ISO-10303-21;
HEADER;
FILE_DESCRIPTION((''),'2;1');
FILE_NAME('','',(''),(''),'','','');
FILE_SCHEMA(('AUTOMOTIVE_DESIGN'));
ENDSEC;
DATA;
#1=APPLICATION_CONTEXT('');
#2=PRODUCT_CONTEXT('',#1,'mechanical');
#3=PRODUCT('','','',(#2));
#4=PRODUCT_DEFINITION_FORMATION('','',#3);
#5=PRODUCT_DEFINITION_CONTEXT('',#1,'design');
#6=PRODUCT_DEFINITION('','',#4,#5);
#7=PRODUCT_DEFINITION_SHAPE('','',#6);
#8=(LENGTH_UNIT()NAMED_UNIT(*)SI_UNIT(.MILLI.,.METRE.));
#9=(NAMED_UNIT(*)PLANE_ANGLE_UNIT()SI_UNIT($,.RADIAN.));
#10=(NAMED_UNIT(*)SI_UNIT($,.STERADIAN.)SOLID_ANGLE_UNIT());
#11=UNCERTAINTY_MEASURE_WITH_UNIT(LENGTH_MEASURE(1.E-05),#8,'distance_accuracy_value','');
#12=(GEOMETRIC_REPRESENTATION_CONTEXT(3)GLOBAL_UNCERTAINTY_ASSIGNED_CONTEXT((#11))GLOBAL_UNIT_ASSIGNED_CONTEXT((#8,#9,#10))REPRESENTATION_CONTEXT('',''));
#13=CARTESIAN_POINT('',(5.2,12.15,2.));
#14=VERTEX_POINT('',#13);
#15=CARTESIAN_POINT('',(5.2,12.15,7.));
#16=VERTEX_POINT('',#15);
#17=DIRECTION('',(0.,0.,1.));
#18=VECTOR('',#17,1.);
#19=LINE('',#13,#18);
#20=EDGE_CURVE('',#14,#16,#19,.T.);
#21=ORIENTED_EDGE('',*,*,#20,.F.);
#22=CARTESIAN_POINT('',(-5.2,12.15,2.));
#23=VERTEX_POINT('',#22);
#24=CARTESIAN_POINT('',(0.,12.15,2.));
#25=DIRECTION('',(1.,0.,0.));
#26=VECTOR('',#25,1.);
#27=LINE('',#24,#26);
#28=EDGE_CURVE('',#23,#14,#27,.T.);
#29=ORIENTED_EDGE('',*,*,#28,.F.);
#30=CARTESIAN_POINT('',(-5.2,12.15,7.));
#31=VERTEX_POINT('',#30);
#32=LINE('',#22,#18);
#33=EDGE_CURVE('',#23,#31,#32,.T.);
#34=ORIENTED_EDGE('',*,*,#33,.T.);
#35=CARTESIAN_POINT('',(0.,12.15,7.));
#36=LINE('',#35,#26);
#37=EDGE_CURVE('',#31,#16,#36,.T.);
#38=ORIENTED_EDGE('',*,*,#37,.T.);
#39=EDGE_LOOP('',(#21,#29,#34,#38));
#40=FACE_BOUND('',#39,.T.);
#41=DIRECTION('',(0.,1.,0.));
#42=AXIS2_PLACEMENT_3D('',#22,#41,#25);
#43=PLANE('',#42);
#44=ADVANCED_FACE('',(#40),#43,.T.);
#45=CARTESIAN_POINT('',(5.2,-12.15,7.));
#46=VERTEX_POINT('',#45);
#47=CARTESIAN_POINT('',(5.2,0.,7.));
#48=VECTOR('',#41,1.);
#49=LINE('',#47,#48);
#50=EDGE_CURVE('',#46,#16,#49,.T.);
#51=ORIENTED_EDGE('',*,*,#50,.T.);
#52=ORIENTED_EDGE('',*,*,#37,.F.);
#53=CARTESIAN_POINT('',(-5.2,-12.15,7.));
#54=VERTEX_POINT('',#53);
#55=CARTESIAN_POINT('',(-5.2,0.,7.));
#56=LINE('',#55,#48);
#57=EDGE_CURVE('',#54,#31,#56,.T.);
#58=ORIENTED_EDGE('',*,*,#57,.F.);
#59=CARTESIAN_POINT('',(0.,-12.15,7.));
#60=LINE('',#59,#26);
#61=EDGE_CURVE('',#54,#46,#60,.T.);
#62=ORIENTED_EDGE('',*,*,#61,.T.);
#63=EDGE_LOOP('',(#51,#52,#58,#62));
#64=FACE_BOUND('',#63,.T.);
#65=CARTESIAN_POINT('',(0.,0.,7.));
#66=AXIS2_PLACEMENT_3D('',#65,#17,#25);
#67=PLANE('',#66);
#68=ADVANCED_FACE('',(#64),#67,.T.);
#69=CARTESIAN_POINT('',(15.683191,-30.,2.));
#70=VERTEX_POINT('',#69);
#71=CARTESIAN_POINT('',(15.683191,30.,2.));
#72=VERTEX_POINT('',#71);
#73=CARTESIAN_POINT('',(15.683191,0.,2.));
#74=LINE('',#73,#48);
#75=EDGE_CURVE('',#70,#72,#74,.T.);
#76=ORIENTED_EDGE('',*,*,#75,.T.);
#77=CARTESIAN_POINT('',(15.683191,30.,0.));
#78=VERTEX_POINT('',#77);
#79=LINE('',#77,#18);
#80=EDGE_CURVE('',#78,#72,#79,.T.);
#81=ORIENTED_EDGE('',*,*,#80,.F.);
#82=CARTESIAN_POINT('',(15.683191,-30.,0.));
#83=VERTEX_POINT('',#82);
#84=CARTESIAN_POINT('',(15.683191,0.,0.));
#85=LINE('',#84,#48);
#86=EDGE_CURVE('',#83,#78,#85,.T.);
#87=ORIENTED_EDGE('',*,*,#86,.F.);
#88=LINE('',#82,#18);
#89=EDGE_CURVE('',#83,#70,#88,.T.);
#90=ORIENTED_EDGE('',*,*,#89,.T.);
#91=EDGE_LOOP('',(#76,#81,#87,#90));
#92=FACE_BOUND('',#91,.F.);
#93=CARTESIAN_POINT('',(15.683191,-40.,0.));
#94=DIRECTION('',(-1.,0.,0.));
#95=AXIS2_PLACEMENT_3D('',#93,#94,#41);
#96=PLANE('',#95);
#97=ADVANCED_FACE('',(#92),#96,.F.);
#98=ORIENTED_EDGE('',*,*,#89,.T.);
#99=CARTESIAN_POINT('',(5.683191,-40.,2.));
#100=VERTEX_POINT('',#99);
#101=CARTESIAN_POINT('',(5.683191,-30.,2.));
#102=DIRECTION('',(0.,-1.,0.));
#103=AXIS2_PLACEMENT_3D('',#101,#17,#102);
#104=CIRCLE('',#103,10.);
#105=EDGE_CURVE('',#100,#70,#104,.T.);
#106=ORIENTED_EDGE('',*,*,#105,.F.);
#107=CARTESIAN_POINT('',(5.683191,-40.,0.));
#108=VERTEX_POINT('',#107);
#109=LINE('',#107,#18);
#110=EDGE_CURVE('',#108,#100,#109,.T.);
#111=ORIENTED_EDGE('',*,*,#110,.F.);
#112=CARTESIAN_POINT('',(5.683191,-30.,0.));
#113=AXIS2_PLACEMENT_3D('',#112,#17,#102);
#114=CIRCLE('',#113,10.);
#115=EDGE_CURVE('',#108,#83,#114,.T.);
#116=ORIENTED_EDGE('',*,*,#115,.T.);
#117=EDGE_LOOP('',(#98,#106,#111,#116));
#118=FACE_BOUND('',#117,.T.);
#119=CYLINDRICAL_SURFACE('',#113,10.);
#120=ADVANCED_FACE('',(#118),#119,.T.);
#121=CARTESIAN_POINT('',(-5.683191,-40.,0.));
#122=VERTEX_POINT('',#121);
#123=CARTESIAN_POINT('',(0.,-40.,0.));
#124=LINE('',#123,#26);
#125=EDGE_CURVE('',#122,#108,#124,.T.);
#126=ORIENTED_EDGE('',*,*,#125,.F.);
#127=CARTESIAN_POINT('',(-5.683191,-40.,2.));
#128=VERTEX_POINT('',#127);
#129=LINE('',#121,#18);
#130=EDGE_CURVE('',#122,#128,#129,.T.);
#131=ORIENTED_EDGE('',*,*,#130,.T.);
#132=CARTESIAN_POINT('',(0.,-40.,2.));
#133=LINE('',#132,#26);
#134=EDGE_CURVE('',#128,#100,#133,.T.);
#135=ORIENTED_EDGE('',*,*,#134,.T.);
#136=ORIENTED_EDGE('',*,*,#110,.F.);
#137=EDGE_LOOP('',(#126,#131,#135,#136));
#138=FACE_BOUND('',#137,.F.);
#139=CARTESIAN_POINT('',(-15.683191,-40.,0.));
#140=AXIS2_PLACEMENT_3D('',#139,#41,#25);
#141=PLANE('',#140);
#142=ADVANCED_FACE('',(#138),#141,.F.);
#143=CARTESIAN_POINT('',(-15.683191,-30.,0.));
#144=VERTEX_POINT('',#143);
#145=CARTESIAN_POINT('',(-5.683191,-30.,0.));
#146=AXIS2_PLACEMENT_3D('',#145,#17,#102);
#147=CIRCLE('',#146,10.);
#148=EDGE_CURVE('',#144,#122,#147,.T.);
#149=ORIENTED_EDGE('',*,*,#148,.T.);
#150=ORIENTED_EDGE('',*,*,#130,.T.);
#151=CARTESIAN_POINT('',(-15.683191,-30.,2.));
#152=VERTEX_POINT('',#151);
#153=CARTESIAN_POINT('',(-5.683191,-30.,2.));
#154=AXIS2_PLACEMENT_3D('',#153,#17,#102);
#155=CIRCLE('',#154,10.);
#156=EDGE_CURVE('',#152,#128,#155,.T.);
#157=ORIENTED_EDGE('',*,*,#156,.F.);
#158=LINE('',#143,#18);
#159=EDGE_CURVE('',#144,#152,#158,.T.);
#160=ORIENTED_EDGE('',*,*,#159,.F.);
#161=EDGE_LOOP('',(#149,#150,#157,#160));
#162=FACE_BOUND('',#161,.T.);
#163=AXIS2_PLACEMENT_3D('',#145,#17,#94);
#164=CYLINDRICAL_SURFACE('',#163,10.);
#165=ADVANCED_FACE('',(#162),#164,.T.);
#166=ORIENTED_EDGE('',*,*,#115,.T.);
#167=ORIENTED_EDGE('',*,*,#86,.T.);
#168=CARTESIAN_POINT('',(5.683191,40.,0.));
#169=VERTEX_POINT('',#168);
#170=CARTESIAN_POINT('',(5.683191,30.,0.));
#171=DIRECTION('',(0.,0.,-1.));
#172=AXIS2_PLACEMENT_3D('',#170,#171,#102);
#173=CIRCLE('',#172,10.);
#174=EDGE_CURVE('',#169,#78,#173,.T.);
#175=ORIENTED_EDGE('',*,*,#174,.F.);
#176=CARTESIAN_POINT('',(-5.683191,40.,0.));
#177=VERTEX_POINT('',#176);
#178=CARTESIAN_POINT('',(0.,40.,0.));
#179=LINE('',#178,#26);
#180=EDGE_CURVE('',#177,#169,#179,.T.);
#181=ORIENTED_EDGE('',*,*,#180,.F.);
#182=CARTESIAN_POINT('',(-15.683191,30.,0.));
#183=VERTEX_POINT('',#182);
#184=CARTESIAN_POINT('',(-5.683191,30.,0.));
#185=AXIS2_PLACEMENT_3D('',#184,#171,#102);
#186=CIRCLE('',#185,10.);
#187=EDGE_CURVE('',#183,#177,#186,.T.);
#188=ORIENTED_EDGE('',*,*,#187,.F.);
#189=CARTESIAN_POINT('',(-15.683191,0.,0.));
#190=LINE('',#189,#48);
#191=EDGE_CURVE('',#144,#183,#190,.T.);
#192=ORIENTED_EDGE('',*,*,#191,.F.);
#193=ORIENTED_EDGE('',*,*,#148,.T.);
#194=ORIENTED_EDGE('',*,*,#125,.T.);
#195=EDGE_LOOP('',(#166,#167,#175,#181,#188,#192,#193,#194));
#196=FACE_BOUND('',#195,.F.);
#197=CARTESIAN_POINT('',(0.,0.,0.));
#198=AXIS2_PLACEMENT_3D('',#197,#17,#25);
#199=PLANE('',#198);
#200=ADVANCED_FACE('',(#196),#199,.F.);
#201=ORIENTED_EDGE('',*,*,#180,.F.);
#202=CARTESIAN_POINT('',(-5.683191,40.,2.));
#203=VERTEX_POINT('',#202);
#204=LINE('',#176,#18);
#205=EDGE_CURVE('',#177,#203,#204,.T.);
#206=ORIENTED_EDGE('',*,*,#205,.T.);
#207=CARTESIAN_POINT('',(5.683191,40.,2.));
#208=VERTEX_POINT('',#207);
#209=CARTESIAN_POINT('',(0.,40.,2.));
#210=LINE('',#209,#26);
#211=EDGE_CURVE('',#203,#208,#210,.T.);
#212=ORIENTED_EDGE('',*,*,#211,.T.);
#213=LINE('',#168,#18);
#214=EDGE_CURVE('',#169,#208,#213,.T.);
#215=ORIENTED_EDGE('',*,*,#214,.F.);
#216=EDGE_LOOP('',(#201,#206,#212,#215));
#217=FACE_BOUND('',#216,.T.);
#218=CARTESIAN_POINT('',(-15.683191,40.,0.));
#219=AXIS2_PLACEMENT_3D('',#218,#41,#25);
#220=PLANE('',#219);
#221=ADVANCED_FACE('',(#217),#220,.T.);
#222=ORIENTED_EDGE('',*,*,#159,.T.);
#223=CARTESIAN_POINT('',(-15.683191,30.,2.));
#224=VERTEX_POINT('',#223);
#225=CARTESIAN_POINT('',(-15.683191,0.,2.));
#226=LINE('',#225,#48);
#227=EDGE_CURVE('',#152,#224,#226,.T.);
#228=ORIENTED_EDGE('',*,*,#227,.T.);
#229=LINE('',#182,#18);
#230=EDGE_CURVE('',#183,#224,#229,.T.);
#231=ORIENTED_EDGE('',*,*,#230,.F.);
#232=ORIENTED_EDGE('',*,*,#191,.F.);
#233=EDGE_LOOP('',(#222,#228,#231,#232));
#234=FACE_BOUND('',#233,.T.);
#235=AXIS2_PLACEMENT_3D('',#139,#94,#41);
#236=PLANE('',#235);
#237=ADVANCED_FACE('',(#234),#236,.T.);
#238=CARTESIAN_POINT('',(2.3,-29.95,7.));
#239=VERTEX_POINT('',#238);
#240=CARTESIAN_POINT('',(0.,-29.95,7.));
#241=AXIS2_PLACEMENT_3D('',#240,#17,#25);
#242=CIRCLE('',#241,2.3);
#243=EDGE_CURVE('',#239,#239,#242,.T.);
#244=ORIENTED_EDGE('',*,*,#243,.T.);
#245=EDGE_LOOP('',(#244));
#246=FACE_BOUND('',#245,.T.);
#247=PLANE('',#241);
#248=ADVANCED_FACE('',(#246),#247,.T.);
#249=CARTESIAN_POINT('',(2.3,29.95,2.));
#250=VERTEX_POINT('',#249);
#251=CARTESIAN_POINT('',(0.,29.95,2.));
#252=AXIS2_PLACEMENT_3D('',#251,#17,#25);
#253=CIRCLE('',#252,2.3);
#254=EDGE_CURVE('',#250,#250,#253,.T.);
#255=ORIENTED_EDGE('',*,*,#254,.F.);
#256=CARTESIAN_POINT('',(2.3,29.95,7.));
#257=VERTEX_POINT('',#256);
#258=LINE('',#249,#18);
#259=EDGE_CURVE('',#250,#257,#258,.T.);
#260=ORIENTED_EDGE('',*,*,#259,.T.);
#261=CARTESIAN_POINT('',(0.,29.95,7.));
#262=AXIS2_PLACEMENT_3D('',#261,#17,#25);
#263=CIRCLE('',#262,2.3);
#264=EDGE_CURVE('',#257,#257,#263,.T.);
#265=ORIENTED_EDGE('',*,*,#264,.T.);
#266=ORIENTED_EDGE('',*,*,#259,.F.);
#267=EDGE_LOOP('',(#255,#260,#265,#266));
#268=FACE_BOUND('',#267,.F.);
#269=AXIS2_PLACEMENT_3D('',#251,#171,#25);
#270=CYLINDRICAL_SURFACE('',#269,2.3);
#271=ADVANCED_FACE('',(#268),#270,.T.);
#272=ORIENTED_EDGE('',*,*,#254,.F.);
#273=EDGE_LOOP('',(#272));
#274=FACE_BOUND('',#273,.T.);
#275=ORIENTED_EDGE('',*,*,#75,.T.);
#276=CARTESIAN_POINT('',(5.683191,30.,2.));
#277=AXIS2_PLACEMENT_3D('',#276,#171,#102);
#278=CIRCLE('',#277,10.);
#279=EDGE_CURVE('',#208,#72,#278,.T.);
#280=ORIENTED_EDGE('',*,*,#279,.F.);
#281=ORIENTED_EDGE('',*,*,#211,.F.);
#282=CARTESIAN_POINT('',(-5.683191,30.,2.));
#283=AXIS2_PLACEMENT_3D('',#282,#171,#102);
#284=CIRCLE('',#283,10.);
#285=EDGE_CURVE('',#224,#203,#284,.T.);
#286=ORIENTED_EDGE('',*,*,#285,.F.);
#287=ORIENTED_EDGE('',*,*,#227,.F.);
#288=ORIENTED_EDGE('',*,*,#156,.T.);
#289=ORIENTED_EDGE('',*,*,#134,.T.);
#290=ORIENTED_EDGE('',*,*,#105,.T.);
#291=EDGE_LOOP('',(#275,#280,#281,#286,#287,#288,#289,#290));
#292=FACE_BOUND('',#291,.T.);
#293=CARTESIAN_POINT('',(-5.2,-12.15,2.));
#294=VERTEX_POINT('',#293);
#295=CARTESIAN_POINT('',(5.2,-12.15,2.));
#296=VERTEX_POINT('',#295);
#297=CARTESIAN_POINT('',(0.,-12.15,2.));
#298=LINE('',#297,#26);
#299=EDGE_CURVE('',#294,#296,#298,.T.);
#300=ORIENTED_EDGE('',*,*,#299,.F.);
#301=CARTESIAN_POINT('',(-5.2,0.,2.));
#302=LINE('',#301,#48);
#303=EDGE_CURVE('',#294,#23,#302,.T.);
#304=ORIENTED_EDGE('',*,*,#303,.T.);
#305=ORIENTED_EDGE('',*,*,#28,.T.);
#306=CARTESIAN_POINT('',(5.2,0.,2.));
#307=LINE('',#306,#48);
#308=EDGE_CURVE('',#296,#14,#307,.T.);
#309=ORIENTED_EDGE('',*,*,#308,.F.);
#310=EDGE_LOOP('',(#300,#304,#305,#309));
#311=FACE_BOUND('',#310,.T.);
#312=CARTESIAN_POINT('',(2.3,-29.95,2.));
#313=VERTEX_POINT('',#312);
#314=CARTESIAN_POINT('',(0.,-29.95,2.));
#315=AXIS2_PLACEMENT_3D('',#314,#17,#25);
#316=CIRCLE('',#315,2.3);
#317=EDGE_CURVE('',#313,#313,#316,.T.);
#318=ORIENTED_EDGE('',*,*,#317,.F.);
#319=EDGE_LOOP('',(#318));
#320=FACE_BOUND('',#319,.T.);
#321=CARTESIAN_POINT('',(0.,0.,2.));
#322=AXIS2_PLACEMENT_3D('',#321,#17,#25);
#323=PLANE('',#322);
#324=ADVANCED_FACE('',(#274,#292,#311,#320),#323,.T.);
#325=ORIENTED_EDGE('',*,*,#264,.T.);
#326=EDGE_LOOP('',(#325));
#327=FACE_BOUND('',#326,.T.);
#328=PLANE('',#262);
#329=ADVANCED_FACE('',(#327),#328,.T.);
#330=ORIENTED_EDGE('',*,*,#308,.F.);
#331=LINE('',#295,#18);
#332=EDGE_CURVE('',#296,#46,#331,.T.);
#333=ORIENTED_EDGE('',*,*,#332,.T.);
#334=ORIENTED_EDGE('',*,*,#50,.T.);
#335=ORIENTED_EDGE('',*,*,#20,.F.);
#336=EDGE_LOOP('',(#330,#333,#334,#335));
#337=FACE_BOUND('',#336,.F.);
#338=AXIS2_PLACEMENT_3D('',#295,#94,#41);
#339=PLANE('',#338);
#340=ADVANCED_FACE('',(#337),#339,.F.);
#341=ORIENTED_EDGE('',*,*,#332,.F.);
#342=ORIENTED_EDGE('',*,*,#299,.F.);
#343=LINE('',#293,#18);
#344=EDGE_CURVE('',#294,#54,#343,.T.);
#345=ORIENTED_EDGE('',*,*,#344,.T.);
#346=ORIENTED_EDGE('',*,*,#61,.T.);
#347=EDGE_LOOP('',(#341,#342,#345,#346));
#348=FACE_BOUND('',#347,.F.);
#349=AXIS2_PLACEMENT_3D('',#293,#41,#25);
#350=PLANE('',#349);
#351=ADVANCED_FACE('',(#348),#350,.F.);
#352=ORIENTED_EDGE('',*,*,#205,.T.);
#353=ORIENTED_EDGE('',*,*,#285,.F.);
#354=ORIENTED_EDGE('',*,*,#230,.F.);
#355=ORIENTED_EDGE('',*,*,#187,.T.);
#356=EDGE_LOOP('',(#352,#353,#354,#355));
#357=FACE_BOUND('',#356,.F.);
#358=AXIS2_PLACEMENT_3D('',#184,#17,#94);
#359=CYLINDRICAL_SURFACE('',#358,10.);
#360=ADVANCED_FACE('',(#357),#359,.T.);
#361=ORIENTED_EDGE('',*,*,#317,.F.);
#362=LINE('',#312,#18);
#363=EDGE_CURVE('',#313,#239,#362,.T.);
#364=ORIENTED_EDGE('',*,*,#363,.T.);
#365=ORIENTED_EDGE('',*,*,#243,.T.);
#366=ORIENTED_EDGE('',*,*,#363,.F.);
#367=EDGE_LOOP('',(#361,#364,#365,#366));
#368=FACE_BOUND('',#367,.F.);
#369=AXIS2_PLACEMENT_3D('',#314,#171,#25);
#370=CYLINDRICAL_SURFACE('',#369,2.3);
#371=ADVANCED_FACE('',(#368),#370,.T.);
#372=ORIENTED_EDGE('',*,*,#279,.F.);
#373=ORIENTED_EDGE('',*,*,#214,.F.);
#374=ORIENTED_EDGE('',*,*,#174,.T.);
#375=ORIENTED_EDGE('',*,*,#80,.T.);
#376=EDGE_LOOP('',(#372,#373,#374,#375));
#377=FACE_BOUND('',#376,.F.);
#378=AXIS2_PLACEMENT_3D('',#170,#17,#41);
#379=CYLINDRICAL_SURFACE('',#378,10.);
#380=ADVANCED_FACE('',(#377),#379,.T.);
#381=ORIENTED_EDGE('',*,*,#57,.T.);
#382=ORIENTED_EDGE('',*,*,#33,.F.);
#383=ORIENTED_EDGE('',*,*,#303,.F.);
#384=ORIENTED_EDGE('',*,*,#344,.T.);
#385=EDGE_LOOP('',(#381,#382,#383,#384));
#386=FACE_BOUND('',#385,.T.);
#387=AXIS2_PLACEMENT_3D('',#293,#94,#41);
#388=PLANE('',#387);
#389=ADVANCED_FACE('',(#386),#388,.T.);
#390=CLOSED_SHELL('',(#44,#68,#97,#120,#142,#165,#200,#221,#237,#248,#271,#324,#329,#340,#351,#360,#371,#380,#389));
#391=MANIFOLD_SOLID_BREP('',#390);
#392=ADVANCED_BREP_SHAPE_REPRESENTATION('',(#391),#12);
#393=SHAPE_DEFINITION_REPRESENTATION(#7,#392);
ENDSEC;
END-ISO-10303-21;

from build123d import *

# Parameters (mm, degrees)
F0_W     = 31.366382
F0_H     = 80
F1_DEPTH = 2
F2_W     = 10.4
F2_H     = 24.3
F2_R     = 2.3
F3_DEPTH = 5
F4_R     = 10


with BuildPart() as f1:
    # F0 (on Top) → F1 (new body)
    with BuildSketch(Plane.XY):
        Rectangle(F0_W, F0_H)
    extrude(amount=F1_DEPTH)

    # F2 (on face) → F3 (join)
    with BuildSketch(Plane.XY.offset(2)):
        Rectangle(F2_W, F2_H)
        with Locations((0, 29.95)):
            Circle(F2_R)
        with Locations((0, -29.95)):
            Circle(F2_R)
    extrude(amount=F3_DEPTH)

    # F4
    f4_edges = [f1.edges().sort_by_distance(p)[0] for p in [
        (-15.683191, 40, 1),
        (15.683191, 40, 1),
        (15.683191, -40, 1),
        (-15.683191, -40, 1),
    ]]
    fillet(f4_edges, radius=F4_R)


solid = f1.part
